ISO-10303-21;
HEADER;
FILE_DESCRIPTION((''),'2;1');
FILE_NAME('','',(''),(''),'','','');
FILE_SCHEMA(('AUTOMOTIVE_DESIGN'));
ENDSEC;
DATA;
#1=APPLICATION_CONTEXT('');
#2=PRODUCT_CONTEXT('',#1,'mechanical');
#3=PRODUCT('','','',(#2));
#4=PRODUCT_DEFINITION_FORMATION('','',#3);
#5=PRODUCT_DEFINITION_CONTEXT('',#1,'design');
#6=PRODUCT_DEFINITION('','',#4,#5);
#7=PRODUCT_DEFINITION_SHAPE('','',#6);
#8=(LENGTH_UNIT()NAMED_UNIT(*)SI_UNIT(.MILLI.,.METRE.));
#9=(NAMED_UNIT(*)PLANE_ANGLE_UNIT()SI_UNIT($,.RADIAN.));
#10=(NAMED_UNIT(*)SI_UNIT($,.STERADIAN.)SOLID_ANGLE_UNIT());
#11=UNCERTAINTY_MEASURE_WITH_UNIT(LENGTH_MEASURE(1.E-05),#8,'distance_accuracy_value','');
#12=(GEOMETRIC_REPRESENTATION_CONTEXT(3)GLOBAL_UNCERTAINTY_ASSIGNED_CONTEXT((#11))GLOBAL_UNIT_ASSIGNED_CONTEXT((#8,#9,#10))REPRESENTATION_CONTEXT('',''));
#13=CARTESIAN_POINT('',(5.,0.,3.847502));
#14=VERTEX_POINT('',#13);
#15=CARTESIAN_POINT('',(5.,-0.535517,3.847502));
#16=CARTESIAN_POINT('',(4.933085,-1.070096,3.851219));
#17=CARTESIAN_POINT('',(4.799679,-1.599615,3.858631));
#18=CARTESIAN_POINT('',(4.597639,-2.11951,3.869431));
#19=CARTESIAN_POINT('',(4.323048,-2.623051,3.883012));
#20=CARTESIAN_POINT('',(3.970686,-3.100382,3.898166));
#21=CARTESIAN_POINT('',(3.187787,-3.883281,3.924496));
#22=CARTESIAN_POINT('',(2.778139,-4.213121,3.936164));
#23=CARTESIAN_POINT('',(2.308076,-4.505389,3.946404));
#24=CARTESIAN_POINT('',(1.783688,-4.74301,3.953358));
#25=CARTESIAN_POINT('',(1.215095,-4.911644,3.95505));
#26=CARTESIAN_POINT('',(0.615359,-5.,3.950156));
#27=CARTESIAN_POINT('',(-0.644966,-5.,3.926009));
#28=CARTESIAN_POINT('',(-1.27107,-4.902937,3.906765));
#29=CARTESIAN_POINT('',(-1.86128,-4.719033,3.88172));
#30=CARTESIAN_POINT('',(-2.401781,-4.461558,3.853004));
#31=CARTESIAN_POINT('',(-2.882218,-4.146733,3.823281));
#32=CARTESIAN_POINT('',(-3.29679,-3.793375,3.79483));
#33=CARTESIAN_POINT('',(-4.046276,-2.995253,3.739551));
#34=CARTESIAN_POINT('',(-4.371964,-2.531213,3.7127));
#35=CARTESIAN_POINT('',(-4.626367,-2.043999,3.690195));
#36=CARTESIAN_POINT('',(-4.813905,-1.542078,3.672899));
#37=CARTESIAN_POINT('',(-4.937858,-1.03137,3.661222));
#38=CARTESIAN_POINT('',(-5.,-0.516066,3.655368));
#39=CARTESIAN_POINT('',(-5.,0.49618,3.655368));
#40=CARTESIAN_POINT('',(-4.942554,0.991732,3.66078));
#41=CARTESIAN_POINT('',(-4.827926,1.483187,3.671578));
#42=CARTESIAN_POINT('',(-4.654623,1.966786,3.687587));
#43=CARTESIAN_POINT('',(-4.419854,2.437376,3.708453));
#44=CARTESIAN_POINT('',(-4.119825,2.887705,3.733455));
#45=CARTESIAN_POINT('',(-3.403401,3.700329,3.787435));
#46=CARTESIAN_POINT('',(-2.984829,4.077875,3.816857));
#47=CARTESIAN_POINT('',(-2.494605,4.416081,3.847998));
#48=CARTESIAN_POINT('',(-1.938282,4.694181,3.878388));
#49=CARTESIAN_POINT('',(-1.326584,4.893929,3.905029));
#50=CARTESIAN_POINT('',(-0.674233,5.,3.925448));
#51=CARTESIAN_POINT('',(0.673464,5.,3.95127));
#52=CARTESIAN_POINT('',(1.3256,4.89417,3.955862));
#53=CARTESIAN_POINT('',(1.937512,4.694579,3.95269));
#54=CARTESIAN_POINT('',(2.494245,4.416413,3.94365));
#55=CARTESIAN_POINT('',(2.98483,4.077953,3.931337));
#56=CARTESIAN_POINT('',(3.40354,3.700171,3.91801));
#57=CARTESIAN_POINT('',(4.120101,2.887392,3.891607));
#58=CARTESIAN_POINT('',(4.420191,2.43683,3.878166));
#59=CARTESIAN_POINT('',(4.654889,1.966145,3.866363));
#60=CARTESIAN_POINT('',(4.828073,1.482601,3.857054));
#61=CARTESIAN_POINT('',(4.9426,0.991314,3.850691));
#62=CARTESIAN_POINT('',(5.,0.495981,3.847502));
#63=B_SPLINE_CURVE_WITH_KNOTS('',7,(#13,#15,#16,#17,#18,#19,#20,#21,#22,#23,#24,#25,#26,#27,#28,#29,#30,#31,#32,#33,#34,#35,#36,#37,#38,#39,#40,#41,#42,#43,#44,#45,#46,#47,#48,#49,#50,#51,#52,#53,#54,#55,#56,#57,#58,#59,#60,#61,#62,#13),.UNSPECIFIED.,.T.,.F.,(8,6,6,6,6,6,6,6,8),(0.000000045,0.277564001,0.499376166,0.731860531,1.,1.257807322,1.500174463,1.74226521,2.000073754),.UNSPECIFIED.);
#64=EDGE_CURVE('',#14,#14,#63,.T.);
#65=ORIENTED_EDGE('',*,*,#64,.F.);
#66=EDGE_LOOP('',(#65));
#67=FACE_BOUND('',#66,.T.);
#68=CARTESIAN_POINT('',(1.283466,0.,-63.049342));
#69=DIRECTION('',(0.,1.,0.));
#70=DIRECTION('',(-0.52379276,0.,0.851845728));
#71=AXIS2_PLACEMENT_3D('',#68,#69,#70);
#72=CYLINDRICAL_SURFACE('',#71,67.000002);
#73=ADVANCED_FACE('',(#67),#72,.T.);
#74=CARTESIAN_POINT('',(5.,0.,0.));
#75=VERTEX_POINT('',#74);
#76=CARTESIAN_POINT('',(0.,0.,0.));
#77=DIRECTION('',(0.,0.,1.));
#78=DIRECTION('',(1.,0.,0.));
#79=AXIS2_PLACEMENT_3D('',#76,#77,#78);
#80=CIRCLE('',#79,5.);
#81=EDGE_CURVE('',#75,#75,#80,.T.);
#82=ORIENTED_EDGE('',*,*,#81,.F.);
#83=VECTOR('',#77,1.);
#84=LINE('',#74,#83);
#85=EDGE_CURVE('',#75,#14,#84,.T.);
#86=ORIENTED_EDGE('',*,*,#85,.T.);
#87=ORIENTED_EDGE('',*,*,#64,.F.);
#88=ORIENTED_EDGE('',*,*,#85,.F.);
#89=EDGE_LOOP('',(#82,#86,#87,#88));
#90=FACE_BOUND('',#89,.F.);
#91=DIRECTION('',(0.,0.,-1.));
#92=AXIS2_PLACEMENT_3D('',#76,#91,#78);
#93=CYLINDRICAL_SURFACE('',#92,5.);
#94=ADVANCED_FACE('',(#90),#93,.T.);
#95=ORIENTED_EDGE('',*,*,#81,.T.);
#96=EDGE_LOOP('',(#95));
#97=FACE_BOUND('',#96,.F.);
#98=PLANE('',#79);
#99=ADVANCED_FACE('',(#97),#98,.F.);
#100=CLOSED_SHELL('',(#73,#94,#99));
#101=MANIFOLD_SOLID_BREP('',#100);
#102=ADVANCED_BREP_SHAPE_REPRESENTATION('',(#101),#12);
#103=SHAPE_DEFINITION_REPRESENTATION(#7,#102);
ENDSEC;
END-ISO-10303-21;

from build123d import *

# Parameters (mm, degrees)
F0_R          = 5
F1_DEPTH      = 4
F3_DEPTH      = 25
F3_DEPTH_BACK = 25


with BuildPart() as f1:
    # F0 (on Top) → F1 (new body)
    with BuildSketch(Plane.XY):
        Circle(F0_R)
    extrude(amount=F1_DEPTH)

    # F2 (on Front) → F3 (cut, two sides)
    with BuildSketch(Plane.XZ) as f3_sk:
        with BuildLine():
            ThreePointArc((-33.81065, -5.975676), (0.585697, 3.947027), (35.18125, -5.257123))
            Line((35.18125, -5.257123), (35.18125, 7.931673))
            Line((35.18125, 7.931673), (-33.81065, 7.931673))
            Line((-33.81065, 7.931673), (-33.81065, -5.975676))
        make_face()
    extrude(amount=F3_DEPTH, mode=Mode.SUBTRACT)
    extrude(f3_sk.sketch, amount=-F3_DEPTH_BACK, mode=Mode.SUBTRACT)


solid = f1.part
